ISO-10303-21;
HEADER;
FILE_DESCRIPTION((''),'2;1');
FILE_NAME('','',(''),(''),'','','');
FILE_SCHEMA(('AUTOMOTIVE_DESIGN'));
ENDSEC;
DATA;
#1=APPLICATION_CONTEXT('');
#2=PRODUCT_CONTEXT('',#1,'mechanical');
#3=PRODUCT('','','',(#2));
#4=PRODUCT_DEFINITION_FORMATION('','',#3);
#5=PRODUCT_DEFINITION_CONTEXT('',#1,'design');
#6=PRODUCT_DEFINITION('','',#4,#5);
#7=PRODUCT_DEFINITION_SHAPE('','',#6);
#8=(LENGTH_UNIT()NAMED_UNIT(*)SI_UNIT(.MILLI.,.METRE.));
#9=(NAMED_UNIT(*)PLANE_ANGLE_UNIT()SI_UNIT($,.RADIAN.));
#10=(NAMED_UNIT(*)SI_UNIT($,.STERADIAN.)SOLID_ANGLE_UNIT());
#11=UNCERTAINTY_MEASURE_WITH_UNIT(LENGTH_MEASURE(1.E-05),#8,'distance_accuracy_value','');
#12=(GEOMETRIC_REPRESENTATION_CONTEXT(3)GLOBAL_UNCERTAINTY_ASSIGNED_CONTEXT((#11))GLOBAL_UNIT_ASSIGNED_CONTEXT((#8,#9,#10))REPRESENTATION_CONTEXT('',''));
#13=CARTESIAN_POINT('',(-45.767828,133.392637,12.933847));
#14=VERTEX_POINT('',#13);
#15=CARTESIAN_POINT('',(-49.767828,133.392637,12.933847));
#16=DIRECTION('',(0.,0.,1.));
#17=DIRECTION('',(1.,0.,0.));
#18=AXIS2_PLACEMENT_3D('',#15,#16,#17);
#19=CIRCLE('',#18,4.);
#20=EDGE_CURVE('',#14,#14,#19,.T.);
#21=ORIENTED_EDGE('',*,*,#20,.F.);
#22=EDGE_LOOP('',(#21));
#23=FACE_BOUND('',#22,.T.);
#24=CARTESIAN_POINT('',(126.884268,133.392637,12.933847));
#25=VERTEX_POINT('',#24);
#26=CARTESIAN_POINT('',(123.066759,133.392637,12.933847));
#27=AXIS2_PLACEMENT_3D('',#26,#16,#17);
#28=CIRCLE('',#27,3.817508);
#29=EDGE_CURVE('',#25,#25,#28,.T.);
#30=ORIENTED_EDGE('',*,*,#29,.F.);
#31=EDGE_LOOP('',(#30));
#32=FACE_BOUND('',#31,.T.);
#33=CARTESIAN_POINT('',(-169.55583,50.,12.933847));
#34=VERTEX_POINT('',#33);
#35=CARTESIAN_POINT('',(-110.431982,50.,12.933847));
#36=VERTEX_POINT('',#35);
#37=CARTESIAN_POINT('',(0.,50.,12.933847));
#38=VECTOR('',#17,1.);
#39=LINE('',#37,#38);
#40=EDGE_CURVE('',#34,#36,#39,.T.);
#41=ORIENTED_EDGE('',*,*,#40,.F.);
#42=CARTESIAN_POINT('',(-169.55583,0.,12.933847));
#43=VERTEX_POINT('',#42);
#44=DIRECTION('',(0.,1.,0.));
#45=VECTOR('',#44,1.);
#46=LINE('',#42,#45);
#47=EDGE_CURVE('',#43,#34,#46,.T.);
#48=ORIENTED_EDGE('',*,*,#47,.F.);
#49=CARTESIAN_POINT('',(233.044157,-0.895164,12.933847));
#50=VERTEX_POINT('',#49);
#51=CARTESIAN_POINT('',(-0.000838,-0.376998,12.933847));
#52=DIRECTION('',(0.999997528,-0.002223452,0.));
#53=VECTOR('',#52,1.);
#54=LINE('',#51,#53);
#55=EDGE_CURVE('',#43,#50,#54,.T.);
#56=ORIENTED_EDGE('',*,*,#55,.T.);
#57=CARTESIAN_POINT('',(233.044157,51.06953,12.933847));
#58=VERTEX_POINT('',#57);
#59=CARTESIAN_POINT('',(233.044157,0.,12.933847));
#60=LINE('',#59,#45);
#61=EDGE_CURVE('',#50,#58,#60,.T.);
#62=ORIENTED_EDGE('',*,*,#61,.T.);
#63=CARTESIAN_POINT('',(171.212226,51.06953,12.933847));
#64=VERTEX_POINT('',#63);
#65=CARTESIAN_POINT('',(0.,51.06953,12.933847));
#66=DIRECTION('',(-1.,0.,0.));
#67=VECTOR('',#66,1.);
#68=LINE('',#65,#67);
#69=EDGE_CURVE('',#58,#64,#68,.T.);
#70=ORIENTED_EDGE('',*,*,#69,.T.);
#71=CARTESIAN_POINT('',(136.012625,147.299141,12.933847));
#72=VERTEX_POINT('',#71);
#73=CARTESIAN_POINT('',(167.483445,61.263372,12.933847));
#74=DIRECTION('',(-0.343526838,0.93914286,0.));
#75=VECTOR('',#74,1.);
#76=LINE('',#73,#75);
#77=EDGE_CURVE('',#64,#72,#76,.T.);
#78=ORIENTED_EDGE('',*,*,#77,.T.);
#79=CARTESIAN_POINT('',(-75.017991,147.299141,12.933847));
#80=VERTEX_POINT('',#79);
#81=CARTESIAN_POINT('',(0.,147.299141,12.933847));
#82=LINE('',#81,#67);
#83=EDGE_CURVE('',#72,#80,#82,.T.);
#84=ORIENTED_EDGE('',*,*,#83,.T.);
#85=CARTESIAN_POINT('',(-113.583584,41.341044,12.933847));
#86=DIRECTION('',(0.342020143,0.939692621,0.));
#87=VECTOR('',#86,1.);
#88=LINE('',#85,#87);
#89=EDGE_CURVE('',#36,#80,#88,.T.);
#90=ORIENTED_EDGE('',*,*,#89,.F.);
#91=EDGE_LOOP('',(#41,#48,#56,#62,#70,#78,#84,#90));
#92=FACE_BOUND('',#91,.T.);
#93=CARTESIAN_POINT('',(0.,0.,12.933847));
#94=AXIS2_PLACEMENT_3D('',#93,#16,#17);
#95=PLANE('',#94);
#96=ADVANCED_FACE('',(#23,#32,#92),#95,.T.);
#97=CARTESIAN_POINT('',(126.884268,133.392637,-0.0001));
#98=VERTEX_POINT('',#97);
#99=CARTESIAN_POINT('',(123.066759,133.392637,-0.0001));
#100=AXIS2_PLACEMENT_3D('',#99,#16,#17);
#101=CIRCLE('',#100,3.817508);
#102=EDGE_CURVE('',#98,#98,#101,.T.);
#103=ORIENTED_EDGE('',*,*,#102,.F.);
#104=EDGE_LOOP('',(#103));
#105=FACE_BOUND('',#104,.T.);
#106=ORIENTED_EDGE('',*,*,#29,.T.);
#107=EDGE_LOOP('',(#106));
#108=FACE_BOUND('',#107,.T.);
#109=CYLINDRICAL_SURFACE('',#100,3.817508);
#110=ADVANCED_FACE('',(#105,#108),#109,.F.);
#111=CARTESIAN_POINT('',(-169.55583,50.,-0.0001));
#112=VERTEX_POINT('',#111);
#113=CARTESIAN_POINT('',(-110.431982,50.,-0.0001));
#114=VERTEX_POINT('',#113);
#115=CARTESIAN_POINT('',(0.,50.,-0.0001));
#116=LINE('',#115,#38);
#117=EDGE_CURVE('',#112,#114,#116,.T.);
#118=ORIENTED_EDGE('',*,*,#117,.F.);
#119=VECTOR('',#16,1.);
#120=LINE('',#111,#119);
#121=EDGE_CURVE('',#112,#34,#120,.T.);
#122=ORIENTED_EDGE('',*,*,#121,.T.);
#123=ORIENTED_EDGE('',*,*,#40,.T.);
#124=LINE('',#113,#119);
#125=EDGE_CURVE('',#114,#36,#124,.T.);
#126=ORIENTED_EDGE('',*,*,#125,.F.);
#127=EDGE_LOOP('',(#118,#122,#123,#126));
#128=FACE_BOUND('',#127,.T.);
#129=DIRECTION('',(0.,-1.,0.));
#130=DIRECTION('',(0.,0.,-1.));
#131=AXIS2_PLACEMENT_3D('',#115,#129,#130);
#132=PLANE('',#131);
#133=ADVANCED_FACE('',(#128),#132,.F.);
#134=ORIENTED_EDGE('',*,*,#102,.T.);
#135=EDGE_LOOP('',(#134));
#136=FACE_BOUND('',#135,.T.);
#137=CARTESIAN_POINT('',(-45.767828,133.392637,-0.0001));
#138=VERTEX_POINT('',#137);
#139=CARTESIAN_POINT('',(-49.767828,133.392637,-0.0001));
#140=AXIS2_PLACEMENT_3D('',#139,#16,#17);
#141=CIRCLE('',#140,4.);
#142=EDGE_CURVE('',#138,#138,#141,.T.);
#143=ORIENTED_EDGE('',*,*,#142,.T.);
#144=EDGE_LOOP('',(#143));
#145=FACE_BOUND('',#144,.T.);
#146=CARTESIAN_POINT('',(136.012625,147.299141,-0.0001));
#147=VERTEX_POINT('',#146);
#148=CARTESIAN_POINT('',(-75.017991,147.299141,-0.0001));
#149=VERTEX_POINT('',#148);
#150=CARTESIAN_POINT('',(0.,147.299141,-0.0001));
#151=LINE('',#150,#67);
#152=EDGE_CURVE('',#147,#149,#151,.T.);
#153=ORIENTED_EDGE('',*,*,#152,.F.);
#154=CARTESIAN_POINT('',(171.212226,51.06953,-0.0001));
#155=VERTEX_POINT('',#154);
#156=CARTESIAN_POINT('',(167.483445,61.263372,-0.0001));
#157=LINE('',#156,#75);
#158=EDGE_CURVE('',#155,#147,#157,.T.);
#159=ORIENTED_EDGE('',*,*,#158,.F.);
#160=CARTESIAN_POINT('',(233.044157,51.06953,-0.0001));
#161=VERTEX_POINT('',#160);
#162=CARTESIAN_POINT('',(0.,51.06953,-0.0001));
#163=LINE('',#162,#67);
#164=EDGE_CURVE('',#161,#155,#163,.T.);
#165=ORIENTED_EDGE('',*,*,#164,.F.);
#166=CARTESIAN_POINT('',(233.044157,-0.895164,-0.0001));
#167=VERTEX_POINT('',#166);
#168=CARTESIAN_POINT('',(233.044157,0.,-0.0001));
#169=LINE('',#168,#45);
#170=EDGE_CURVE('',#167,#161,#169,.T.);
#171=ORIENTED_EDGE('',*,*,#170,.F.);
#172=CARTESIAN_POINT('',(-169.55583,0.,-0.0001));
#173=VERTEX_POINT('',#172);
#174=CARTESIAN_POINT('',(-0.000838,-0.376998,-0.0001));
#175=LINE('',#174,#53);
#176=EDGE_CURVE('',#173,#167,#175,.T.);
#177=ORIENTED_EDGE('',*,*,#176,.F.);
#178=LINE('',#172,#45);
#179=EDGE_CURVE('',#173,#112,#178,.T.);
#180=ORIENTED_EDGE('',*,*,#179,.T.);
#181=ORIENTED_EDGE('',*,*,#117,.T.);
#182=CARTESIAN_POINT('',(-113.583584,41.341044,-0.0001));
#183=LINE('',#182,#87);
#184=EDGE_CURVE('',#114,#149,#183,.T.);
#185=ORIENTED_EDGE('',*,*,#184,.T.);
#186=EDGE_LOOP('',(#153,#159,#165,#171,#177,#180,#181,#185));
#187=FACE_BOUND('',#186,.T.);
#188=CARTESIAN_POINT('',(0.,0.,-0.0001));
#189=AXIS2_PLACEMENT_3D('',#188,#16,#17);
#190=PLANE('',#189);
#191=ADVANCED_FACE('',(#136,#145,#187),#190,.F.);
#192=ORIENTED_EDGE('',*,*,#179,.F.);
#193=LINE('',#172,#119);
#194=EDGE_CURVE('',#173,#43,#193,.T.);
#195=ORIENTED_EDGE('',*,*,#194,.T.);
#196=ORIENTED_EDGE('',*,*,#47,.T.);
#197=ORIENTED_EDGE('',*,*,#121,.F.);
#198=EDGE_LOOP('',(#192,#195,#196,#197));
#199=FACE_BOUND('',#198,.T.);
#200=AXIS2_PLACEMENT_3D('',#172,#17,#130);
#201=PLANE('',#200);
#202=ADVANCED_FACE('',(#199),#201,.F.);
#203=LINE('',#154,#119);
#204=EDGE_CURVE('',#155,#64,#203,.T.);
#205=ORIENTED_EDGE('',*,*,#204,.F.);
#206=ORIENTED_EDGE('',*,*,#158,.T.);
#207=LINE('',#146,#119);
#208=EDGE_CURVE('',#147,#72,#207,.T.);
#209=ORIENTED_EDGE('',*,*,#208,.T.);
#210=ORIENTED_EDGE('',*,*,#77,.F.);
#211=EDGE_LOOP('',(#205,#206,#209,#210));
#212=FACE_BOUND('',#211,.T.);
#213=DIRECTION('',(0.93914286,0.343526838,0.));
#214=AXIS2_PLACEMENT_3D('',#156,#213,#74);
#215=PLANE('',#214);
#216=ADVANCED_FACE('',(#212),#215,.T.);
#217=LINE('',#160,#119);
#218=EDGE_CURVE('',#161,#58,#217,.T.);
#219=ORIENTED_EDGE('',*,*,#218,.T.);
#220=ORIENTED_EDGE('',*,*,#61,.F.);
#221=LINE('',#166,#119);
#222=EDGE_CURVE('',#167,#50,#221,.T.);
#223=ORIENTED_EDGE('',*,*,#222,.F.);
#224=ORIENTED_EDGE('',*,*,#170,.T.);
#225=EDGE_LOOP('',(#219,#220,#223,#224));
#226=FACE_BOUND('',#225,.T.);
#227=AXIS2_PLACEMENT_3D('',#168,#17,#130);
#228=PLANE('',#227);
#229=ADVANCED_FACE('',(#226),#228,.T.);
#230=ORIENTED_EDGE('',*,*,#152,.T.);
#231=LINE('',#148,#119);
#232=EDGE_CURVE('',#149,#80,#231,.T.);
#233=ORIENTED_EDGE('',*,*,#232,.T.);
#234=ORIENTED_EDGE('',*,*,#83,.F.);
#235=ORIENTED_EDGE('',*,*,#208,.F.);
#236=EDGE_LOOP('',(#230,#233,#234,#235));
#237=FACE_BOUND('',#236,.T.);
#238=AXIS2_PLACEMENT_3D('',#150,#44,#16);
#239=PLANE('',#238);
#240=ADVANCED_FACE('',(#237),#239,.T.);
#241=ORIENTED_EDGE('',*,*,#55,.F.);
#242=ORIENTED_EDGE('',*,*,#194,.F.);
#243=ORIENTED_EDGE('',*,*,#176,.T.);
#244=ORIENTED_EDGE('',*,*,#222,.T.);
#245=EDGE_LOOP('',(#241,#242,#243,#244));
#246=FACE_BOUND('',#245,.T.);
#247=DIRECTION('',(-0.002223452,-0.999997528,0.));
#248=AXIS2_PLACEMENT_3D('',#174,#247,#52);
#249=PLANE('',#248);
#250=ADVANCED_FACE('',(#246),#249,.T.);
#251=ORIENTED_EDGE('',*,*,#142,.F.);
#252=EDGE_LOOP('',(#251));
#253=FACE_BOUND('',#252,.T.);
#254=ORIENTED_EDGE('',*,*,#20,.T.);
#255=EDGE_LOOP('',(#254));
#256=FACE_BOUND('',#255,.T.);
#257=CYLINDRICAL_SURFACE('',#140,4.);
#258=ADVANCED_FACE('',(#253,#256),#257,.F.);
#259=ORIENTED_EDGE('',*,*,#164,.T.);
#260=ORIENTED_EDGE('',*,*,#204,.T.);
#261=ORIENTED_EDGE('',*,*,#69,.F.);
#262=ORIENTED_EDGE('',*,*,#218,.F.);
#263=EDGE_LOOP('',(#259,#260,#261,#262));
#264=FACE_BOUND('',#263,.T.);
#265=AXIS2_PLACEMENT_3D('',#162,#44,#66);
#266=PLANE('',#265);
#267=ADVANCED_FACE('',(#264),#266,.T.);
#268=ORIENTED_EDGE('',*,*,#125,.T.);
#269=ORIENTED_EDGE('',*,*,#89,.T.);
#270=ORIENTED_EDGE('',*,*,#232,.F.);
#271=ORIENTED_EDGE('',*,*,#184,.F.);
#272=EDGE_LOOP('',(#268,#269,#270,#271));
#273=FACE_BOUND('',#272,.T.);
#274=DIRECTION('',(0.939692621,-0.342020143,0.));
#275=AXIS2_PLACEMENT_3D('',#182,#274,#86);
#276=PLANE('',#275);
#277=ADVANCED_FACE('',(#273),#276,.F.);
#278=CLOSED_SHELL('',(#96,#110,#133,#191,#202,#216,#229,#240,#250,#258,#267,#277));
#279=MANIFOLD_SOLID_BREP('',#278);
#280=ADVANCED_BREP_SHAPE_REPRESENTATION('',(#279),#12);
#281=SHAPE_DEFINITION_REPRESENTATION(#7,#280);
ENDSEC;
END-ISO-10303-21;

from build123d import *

# Parameters (mm, degrees)
SKETCH1_R                = 3.817508494
SKETCH1_R_2              = 4
BOSS_EXTRUDE1_DEPTH      = 12.933846798
BOSS_EXTRUDE1_DEPTH_BACK = 0.0001


with BuildPart() as part:
    # Sketch1 → Boss-Extrude1 (new body, two sides)
    with BuildSketch(Plane.XY) as boss_extrude1_sk:
        Polygon((171.212226028, 51.069530268), (136.012624897, 147.29914138), (-75.017990846, 147.29914138), (-110.431982128, 50), (-169.555830253, 50), (-169.555830253, 0), (233.044157252, -0.895163773), (233.044157252, 51.069530268), align=None)
        with Locations((123.066759463, 133.392636667)):
            Circle(SKETCH1_R, mode=Mode.SUBTRACT)
        with Locations((-49.767828392, 133.392636667)):
            Circle(SKETCH1_R_2, mode=Mode.SUBTRACT)
    extrude(amount=BOSS_EXTRUDE1_DEPTH)
    extrude(boss_extrude1_sk.sketch, amount=-BOSS_EXTRUDE1_DEPTH_BACK)


solid = part.part
